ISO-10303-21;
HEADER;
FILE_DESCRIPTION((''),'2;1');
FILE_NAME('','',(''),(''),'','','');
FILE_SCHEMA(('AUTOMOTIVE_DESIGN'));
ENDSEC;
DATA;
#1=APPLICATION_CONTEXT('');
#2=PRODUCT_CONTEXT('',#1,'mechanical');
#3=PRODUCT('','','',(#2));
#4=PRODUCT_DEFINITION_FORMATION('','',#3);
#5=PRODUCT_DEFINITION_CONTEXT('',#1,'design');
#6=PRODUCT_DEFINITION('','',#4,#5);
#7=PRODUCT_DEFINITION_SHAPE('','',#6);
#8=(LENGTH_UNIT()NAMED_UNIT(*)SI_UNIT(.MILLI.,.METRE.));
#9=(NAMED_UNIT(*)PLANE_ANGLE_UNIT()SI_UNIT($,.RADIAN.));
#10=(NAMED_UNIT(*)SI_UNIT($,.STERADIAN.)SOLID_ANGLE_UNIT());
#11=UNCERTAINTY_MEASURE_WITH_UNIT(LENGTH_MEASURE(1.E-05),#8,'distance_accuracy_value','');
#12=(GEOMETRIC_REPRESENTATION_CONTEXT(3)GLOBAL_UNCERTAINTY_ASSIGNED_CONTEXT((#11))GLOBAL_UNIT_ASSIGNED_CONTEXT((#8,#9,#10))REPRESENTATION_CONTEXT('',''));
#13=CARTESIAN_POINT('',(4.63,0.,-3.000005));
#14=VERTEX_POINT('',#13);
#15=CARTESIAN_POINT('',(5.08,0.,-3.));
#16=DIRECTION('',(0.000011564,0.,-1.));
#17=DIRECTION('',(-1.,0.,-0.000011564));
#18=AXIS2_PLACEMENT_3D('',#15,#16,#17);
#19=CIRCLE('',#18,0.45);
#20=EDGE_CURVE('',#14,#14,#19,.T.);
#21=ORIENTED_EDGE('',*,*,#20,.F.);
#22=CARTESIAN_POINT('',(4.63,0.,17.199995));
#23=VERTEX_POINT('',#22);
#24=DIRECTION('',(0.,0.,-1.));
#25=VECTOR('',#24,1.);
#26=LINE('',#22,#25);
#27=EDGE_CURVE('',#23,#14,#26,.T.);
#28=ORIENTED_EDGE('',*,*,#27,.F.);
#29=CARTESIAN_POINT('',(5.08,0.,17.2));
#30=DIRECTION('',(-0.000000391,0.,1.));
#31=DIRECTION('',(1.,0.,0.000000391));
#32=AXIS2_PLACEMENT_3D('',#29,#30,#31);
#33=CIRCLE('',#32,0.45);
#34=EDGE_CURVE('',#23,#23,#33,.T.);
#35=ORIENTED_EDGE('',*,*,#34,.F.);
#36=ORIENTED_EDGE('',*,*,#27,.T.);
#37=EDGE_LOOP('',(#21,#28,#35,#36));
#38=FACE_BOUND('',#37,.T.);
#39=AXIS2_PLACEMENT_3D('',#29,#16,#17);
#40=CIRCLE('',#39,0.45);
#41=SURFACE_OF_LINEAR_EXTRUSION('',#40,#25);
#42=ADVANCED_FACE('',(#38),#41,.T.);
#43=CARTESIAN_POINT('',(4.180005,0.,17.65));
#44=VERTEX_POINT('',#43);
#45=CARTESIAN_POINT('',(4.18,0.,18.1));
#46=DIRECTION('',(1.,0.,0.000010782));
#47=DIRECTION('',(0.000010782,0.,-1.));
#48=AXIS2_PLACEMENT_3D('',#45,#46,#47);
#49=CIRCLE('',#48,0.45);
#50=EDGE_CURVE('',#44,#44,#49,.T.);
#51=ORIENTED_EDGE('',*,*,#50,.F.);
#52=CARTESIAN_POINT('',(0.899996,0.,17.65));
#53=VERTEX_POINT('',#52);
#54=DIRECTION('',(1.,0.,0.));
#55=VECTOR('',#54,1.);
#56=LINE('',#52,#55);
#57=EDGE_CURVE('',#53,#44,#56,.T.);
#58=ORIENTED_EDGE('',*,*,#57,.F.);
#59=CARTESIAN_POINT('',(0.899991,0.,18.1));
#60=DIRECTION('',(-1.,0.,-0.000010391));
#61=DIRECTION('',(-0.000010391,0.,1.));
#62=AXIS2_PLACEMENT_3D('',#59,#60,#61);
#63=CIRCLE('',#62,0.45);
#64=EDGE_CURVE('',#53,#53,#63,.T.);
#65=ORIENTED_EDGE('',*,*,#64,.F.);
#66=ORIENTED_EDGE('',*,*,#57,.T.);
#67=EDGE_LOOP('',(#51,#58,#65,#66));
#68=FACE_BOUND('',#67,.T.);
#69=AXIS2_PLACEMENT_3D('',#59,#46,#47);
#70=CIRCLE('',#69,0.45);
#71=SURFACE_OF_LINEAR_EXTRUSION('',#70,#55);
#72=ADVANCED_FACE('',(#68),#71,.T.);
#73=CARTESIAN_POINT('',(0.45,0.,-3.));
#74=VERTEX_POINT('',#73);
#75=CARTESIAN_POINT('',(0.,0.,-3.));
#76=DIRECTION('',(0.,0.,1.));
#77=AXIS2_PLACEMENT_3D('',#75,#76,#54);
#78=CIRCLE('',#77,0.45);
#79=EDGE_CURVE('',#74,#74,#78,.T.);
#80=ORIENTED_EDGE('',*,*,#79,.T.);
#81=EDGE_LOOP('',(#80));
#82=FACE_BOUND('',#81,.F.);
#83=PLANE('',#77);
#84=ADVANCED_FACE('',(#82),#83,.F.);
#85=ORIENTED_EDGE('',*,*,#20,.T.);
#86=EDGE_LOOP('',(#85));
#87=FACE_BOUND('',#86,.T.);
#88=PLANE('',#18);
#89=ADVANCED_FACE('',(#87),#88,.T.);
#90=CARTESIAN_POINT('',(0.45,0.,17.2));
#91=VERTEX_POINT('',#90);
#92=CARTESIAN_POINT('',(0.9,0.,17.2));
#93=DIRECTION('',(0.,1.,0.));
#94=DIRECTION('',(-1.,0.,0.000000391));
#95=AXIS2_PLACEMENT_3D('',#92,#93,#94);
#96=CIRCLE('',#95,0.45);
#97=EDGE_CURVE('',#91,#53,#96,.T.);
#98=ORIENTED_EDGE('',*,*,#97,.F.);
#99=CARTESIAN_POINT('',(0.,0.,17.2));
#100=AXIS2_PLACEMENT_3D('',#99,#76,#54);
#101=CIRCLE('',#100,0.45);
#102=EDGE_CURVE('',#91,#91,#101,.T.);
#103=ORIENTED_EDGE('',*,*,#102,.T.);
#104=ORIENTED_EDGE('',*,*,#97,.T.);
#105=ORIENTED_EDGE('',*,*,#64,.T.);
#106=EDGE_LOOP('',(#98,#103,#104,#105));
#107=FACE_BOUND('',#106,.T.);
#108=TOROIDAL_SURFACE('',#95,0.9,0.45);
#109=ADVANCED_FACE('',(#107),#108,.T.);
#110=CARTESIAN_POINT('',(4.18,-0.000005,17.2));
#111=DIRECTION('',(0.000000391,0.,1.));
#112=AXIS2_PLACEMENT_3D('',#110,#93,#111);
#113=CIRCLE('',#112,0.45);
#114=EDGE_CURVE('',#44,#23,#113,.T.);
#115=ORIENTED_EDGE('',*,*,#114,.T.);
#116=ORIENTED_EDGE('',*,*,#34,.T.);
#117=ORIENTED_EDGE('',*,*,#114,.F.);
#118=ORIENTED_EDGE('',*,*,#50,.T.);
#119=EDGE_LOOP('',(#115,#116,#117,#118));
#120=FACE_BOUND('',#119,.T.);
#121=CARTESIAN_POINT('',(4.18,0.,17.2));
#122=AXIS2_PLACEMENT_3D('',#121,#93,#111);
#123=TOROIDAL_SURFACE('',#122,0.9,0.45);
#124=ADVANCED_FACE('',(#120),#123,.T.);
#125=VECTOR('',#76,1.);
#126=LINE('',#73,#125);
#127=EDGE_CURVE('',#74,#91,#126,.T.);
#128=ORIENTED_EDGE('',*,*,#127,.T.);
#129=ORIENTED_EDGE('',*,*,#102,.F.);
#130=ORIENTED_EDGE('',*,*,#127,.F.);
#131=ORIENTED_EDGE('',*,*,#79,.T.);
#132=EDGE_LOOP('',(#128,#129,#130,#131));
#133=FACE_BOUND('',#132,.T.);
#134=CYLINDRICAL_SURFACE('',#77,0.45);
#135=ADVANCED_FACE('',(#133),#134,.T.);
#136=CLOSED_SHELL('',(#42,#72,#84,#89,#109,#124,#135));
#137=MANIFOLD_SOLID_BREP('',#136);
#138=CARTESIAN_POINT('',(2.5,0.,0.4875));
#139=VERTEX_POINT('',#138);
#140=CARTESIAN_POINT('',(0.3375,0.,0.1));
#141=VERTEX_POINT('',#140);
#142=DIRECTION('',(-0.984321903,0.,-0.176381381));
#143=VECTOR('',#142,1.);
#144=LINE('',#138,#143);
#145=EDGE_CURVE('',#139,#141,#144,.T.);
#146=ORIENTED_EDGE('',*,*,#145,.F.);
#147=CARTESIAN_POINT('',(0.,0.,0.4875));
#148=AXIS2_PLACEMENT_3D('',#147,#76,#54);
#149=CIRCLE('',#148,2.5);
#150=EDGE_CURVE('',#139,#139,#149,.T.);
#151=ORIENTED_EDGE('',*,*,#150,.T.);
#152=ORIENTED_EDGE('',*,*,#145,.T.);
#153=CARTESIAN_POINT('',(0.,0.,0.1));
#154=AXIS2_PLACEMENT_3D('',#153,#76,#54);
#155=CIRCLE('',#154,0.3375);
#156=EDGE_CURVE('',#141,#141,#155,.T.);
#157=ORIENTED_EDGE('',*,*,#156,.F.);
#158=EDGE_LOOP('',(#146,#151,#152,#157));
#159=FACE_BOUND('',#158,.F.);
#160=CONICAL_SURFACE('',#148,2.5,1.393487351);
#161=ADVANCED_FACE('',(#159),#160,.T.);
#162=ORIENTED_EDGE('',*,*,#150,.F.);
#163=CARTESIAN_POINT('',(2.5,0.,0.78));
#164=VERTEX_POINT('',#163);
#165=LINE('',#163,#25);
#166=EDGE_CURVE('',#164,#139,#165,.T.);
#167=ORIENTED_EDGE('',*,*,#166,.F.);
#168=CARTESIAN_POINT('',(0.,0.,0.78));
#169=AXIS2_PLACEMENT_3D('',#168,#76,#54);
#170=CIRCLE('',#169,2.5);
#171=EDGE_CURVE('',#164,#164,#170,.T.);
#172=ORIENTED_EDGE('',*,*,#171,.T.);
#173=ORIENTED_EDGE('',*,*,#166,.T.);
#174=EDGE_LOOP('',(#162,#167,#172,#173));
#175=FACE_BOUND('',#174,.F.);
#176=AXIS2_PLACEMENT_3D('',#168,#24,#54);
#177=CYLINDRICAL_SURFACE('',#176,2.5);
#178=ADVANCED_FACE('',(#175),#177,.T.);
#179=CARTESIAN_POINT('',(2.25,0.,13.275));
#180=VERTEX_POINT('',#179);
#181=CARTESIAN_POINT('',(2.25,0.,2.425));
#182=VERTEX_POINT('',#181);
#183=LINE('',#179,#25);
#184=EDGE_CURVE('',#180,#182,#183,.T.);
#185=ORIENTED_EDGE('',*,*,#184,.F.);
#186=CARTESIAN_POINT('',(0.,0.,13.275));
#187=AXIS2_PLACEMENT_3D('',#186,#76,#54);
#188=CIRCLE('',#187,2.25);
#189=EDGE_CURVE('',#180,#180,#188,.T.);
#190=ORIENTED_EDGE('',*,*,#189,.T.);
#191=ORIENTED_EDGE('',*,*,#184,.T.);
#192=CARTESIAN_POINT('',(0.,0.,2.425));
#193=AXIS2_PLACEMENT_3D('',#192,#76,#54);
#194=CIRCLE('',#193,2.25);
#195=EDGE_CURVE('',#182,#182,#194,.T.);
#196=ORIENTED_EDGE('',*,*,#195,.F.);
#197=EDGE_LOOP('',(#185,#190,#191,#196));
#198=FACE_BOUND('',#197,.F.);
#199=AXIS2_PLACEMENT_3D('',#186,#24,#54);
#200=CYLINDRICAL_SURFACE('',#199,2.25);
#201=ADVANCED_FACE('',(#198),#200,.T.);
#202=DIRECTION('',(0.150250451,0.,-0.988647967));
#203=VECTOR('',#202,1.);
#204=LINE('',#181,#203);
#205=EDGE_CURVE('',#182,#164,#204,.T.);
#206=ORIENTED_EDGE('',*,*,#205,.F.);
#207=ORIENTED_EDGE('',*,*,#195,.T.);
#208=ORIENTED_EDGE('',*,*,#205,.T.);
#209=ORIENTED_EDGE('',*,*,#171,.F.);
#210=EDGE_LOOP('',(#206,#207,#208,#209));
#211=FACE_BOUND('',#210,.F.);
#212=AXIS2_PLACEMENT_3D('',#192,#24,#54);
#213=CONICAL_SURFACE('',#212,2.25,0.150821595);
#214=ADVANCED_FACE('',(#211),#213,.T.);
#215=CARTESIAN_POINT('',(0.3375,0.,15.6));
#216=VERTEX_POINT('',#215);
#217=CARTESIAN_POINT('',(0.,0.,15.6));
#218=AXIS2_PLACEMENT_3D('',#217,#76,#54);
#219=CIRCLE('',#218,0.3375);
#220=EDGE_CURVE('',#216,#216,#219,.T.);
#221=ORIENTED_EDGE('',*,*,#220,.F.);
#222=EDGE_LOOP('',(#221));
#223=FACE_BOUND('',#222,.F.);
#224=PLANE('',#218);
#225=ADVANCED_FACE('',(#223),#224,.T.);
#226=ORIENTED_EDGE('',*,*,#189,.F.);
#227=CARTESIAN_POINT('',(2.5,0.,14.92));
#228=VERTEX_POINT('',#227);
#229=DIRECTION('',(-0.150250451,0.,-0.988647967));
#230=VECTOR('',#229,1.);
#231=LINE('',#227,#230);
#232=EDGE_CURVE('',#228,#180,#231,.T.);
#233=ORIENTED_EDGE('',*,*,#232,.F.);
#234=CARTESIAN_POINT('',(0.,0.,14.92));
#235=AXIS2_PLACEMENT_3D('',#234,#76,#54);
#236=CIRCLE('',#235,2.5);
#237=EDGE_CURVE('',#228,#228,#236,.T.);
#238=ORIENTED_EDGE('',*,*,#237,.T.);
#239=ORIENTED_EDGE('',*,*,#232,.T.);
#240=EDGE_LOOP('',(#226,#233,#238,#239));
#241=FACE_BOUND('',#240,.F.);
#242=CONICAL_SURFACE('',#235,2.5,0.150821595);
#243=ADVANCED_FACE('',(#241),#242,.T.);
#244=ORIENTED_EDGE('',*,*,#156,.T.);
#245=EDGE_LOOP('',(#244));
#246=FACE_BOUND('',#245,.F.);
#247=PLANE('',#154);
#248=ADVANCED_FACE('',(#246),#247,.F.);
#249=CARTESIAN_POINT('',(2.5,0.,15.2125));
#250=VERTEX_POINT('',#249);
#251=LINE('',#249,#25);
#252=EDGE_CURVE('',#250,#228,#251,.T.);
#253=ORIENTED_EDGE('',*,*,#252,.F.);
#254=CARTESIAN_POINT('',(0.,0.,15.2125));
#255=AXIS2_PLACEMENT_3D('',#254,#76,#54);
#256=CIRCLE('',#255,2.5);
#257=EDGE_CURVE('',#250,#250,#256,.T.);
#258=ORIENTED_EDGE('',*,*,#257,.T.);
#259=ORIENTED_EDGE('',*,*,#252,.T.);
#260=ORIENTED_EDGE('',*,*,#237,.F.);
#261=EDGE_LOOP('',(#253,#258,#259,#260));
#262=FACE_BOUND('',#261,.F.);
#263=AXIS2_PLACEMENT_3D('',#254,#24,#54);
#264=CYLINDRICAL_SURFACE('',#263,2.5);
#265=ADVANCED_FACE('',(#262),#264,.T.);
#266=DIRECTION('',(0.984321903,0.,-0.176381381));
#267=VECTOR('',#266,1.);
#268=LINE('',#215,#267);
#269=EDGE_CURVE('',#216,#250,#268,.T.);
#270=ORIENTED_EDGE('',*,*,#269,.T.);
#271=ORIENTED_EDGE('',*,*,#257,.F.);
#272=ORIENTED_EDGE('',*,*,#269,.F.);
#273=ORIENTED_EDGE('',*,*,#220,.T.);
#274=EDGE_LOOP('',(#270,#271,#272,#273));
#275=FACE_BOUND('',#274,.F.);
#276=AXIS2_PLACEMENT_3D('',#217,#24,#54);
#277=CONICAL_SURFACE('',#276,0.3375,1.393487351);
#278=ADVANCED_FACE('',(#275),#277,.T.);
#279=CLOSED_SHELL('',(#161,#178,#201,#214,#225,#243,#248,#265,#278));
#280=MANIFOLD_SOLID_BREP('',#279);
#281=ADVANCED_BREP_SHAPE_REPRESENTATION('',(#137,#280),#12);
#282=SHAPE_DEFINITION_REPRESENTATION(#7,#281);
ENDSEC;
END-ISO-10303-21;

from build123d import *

# Parameters (mm, degrees)
SKETCH_R = 0.45


with BuildPart() as sweep_body:
    # Sweep: sweep along a path in Sketch001
    with BuildLine(Plane.XZ) as sweep_path:
        Line((0, -3), (0, 17.2))
        ThreePointArc((0, 17.2), (0.263601, 17.836393), (0.899991, 18.1))
        Line((0.899991, 18.1), (4.18, 18.1))
        ThreePointArc((4.18, 18.1), (4.816396, 17.836396), (5.08, 17.2))
        Line((5.08, 17.2), (5.08, -3))
    # Sketch → Sweep (sweep)
    with BuildSketch(Plane.XY.offset(-2)):
        Circle(SKETCH_R)
    sweep(path=sweep_path.line)


with BuildPart() as revolution:
    # Sketch002 → Revolution (revolve)
    with BuildSketch(Plane.XZ):
        Polygon((0, 0.1), (0, 15.6), (0.3375, 15.6), (2.5, 15.2125), (2.5, 14.92), (2.25, 13.275), (2.25, 2.425), (2.5, 0.78), (2.5, 0.4875), (0.3375, 0.1), align=None)
    revolve(axis=Axis((0, 0, 0), (0, 0, 1)))


solid = Compound([sweep_body.part, revolution.part])
